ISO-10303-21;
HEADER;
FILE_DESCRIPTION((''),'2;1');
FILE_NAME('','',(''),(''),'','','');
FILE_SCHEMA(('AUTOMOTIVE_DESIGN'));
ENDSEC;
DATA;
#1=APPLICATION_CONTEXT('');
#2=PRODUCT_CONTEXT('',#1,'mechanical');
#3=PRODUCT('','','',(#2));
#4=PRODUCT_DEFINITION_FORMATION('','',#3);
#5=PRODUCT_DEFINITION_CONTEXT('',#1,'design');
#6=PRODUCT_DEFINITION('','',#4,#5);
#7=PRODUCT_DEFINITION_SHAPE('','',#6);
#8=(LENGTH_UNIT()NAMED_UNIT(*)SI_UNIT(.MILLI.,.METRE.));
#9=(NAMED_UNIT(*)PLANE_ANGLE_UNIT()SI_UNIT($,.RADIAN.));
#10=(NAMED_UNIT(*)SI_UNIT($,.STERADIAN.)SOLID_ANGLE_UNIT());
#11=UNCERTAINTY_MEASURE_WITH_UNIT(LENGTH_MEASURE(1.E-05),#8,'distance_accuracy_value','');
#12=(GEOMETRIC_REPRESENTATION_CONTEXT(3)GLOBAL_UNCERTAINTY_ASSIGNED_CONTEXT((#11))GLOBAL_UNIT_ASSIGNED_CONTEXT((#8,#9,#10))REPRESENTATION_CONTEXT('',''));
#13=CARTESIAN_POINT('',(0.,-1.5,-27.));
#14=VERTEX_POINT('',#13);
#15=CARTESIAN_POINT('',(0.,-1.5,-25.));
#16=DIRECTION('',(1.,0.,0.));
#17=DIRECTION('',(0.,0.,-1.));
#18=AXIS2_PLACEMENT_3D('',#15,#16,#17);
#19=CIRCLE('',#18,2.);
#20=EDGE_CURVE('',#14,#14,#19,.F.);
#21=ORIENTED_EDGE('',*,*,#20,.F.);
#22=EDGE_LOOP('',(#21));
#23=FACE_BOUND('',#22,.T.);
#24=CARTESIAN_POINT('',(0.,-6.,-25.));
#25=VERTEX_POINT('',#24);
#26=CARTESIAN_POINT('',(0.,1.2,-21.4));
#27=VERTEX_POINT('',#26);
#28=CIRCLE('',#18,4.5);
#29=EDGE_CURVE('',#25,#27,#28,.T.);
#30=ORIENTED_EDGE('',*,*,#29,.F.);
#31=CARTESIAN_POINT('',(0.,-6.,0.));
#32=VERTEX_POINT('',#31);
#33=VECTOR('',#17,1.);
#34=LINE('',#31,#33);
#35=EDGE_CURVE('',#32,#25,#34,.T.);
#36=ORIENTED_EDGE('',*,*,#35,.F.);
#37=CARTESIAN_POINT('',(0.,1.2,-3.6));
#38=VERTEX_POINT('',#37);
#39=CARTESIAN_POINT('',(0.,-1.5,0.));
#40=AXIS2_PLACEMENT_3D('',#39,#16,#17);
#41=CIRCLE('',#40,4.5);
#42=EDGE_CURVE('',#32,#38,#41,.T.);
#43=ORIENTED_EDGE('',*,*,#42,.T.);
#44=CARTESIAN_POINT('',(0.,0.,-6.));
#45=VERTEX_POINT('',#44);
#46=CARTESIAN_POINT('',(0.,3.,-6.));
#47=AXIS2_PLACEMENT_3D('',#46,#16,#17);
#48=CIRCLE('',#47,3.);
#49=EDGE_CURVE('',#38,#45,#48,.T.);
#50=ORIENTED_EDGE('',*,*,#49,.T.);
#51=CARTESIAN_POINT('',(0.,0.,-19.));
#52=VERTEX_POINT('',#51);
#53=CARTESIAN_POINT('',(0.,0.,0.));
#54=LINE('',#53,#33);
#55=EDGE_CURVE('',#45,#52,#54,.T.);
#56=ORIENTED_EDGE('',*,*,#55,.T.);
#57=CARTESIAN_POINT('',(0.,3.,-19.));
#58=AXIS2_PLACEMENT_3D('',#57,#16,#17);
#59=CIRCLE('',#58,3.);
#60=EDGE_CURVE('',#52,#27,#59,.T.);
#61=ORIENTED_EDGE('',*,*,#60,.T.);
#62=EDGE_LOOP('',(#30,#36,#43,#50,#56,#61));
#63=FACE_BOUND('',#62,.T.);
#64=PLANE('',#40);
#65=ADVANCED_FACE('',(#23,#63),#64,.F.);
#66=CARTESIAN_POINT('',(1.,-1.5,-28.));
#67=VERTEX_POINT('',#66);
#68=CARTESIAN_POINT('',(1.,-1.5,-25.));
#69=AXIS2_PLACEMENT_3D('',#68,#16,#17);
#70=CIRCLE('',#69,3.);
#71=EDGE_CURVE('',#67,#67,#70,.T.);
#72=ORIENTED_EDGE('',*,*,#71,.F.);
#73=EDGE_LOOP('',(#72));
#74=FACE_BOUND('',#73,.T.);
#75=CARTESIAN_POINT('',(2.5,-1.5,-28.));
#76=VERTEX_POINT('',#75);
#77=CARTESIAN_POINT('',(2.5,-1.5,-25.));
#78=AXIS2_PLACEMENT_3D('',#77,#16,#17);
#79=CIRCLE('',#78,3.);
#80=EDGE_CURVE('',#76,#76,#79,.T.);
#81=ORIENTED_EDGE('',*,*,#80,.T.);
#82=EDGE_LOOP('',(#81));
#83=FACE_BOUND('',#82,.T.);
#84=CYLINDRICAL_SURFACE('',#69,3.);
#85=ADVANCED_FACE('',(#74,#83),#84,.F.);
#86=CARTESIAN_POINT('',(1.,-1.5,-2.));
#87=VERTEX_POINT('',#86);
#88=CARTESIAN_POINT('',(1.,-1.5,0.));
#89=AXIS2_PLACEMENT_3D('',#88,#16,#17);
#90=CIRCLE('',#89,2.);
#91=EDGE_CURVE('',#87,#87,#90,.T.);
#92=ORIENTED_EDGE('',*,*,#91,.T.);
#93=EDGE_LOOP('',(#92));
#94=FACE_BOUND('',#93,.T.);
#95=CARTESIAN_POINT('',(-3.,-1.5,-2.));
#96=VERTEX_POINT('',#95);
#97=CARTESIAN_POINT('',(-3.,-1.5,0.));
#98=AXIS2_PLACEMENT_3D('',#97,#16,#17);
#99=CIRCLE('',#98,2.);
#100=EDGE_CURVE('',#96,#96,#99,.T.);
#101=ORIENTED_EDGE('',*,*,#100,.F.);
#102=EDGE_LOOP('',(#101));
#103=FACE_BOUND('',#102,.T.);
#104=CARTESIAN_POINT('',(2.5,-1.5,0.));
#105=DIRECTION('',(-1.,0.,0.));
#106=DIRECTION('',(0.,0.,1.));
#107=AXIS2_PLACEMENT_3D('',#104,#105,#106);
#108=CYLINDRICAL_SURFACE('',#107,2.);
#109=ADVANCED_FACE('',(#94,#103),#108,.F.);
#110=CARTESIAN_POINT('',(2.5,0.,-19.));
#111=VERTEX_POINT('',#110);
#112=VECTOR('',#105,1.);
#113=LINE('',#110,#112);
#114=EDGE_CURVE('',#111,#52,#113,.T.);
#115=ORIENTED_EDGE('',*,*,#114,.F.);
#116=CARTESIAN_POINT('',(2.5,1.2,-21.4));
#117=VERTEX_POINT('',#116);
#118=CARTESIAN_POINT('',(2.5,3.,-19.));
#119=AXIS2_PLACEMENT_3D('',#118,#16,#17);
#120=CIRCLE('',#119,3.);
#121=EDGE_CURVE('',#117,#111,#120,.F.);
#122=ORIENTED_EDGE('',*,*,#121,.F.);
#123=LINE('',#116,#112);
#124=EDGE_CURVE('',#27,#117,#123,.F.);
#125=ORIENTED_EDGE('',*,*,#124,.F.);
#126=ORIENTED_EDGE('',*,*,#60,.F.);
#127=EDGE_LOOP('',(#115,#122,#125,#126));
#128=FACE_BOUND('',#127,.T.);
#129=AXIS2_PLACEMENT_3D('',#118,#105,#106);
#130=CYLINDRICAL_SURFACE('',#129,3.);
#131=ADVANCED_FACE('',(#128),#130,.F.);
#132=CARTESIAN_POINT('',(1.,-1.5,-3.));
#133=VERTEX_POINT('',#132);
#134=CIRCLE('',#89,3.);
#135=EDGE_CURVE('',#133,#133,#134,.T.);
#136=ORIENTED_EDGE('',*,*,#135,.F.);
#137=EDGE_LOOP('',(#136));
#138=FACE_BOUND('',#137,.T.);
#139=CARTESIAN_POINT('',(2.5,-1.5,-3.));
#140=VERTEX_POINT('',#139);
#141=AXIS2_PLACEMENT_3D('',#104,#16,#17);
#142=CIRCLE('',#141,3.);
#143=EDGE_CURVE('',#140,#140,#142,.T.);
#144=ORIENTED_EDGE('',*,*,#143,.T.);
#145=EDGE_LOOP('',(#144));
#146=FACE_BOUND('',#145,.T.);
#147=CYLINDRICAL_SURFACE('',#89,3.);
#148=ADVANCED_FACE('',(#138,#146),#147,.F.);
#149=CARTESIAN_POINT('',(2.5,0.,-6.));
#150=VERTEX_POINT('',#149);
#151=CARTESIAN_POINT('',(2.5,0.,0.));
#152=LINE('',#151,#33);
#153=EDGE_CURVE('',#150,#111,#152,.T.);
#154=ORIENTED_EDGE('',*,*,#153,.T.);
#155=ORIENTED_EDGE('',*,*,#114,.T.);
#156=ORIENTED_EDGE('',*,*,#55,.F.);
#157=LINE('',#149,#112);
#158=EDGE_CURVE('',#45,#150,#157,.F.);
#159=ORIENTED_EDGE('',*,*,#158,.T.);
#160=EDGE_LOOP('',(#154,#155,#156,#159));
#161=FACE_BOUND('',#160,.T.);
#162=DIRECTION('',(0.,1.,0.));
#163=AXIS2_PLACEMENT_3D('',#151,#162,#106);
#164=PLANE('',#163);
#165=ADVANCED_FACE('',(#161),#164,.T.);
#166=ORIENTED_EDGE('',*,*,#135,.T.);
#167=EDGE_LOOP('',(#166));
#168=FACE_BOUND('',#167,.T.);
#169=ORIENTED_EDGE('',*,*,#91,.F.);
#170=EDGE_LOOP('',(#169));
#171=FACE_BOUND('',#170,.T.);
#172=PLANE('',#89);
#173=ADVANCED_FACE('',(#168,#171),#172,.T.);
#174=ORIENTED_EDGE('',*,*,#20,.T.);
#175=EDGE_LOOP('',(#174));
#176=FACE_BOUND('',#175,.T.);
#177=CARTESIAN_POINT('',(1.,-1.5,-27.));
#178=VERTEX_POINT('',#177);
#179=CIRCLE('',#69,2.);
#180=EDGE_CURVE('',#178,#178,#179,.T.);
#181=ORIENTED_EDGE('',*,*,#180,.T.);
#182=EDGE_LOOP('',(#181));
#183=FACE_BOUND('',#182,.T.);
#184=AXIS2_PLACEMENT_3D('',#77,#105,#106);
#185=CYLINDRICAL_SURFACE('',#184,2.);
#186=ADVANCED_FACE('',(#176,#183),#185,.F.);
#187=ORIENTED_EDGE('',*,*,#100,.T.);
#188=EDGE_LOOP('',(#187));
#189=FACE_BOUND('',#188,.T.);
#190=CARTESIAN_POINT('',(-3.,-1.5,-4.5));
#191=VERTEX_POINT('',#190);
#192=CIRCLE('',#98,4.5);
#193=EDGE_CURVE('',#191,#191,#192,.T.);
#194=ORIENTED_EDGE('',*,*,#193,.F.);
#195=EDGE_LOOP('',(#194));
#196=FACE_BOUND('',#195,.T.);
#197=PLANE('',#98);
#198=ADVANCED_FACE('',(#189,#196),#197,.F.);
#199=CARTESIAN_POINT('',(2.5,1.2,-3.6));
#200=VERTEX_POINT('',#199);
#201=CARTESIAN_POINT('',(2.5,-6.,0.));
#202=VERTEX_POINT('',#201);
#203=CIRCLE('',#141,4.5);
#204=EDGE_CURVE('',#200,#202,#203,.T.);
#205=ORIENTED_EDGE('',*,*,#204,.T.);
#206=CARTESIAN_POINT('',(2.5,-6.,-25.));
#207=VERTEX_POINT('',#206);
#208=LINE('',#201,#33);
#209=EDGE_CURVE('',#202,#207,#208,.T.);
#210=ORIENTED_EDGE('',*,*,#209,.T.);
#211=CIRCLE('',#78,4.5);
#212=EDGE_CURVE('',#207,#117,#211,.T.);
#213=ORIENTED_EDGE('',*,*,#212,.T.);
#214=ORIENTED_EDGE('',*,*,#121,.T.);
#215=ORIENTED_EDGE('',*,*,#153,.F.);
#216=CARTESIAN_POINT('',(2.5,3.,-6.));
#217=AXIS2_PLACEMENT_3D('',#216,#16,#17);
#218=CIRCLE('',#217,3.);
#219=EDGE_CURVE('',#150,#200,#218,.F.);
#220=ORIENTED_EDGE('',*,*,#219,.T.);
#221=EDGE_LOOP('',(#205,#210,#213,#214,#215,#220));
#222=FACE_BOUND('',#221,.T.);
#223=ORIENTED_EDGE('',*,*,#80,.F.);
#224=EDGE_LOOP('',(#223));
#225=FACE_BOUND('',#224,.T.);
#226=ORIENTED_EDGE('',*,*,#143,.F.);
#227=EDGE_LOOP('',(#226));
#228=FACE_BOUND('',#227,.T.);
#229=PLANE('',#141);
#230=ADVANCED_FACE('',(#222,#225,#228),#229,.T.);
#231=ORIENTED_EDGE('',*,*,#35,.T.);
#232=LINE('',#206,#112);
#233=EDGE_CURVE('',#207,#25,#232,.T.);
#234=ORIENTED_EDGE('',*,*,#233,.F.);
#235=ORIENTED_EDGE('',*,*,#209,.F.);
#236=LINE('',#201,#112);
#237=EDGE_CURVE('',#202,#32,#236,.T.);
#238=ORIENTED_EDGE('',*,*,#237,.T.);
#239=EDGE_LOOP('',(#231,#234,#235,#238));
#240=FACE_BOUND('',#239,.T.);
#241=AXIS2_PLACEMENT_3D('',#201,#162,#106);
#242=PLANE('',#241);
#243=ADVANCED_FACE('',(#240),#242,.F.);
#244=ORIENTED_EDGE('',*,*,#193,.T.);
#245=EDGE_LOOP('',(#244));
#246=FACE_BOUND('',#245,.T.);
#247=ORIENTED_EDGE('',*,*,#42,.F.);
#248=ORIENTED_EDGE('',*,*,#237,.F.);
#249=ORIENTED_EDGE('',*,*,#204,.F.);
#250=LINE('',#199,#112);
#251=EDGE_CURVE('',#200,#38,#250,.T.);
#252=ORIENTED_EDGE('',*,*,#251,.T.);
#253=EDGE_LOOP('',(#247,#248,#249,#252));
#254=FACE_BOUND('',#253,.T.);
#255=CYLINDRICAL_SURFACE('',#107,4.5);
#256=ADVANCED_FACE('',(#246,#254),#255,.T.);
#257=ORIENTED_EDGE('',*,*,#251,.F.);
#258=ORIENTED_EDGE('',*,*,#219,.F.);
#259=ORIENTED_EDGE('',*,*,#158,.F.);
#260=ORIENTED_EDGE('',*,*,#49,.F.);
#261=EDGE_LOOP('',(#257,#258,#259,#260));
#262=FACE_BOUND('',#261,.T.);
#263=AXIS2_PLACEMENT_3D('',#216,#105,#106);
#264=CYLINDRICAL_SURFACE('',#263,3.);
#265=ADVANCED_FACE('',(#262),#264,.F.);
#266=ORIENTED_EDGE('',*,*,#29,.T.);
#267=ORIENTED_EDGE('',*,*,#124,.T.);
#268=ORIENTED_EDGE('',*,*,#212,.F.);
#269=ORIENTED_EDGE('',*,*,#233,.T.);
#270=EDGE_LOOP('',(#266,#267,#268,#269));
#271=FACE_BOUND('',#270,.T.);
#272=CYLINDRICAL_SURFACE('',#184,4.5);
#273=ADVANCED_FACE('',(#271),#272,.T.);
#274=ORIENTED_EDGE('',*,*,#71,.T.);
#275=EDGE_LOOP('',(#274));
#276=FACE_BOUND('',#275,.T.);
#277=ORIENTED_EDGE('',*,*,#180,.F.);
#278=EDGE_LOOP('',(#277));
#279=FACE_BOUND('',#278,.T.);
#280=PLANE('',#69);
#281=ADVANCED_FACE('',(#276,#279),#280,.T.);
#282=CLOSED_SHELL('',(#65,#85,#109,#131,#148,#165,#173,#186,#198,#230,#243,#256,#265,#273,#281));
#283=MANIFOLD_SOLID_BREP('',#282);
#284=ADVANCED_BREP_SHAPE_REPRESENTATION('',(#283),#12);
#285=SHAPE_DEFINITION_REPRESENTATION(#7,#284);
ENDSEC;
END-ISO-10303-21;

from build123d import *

# Parameters (mm, degrees)
SKETCH_1_R               = 4.5
SKETCH_1_W               = 25
SKETCH_1_H               = 6
EXTRUDE_1_DEPTH          = 2.5
EXTRUDE_START            = -3
SKETCH_1_5_R             = 4.5
EXTRUDE_3_DEPTH          = 3
CUT_EXTRUDE_2_DEPTH      = 31.253099015
CUT_EXTRUDE_2_DEPTH_BACK = 31.253099015
SKETCH_1_4_R             = 2
FILLET_1_R               = 3
SKETCH_2_R               = 3
CUT_EXTRUDE_3_DEPTH      = 1.5
CUT_EXTRUDE_4_DEPTH      = 31.797727189
CUT_EXTRUDE_4_DEPTH_BACK = 31.797727189
SKETCH_3_W               = 41.902473513
SKETCH_3_H               = 17.131219194


with BuildPart() as part:
    # 草图1 → 凸台-拉伸1 (new body)
    with BuildSketch(Plane(origin=(0, 0, 0), x_dir=(0, 0, -1), z_dir=(1, 0, 0))):
        with Locations((0, -1.5)):
            Circle(SKETCH_1_R)
        with Locations((25, -1.5)):
            Circle(SKETCH_1_R)
        with Locations((12.5, -3)):
            Rectangle(SKETCH_1_W, SKETCH_1_H)
    extrude(amount=EXTRUDE_1_DEPTH)

    # 草图1<5> → 凸台-拉伸3 (add)
    with BuildSketch(Plane(origin=(0, 0, 0), x_dir=(0, 0, -1), z_dir=(1, 0, 0)).offset(EXTRUDE_START)):
        with Locations((0, -1.5)):
            Circle(SKETCH_1_5_R)
    extrude(amount=EXTRUDE_3_DEPTH)

    # 草图1<4> → 切除-拉伸2 (cut, two sides: drawn at the far end of the back side and taken through both)
    with BuildSketch(Plane(origin=(0, 0, 0), x_dir=(0, 0, -1), z_dir=(1, 0, 0)).offset(-CUT_EXTRUDE_2_DEPTH_BACK)):
        with Locations((0, -1.5)):
            Circle(SKETCH_1_4_R)
        with Locations((25, -1.5)):
            Circle(SKETCH_1_4_R)
    extrude(amount=CUT_EXTRUDE_2_DEPTH + CUT_EXTRUDE_2_DEPTH_BACK, mode=Mode.SUBTRACT)

    # 圆角1
    fillet_1_edges = [part.edges().sort_by_distance(p)[0] for p in [
        (1.25, 0, -20.757359313),
        (1.25, 0, -4.242640687),
    ]]
    fillet(fillet_1_edges, radius=FILLET_1_R)

    # 草图2 → 切除-拉伸3 (cut)
    with BuildSketch(Plane(origin=(2.5, 0, 0), x_dir=(0, 0, -1), z_dir=(1, 0, 0))):
        with Locations((0, -1.5)):
            Circle(SKETCH_2_R)
        with Locations((25, -1.5)):
            Circle(SKETCH_2_R)
    extrude(amount=-CUT_EXTRUDE_3_DEPTH, mode=Mode.SUBTRACT)


with BuildPart() as body_2:
    # 镜向2: mirrored copy
    add(part.part.mirror(Plane(origin=(3.5, 0, 0), x_dir=(0, 0, 1), z_dir=(1, 0, 0))))

    # 草图3 → 切除-拉伸4 (cut, two sides: drawn at the far end of the back side and taken through both)
    with BuildSketch(Plane(origin=(3.5, 0, 0), x_dir=(0, 0, -1), z_dir=(1, 0, 0)).offset(-CUT_EXTRUDE_4_DEPTH_BACK)):
        with Locations((12.668553329, -1.632419341)):
            Rectangle(SKETCH_3_W, SKETCH_3_H)
    extrude(amount=CUT_EXTRUDE_4_DEPTH + CUT_EXTRUDE_4_DEPTH_BACK, mode=Mode.SUBTRACT)


solid = part.part
